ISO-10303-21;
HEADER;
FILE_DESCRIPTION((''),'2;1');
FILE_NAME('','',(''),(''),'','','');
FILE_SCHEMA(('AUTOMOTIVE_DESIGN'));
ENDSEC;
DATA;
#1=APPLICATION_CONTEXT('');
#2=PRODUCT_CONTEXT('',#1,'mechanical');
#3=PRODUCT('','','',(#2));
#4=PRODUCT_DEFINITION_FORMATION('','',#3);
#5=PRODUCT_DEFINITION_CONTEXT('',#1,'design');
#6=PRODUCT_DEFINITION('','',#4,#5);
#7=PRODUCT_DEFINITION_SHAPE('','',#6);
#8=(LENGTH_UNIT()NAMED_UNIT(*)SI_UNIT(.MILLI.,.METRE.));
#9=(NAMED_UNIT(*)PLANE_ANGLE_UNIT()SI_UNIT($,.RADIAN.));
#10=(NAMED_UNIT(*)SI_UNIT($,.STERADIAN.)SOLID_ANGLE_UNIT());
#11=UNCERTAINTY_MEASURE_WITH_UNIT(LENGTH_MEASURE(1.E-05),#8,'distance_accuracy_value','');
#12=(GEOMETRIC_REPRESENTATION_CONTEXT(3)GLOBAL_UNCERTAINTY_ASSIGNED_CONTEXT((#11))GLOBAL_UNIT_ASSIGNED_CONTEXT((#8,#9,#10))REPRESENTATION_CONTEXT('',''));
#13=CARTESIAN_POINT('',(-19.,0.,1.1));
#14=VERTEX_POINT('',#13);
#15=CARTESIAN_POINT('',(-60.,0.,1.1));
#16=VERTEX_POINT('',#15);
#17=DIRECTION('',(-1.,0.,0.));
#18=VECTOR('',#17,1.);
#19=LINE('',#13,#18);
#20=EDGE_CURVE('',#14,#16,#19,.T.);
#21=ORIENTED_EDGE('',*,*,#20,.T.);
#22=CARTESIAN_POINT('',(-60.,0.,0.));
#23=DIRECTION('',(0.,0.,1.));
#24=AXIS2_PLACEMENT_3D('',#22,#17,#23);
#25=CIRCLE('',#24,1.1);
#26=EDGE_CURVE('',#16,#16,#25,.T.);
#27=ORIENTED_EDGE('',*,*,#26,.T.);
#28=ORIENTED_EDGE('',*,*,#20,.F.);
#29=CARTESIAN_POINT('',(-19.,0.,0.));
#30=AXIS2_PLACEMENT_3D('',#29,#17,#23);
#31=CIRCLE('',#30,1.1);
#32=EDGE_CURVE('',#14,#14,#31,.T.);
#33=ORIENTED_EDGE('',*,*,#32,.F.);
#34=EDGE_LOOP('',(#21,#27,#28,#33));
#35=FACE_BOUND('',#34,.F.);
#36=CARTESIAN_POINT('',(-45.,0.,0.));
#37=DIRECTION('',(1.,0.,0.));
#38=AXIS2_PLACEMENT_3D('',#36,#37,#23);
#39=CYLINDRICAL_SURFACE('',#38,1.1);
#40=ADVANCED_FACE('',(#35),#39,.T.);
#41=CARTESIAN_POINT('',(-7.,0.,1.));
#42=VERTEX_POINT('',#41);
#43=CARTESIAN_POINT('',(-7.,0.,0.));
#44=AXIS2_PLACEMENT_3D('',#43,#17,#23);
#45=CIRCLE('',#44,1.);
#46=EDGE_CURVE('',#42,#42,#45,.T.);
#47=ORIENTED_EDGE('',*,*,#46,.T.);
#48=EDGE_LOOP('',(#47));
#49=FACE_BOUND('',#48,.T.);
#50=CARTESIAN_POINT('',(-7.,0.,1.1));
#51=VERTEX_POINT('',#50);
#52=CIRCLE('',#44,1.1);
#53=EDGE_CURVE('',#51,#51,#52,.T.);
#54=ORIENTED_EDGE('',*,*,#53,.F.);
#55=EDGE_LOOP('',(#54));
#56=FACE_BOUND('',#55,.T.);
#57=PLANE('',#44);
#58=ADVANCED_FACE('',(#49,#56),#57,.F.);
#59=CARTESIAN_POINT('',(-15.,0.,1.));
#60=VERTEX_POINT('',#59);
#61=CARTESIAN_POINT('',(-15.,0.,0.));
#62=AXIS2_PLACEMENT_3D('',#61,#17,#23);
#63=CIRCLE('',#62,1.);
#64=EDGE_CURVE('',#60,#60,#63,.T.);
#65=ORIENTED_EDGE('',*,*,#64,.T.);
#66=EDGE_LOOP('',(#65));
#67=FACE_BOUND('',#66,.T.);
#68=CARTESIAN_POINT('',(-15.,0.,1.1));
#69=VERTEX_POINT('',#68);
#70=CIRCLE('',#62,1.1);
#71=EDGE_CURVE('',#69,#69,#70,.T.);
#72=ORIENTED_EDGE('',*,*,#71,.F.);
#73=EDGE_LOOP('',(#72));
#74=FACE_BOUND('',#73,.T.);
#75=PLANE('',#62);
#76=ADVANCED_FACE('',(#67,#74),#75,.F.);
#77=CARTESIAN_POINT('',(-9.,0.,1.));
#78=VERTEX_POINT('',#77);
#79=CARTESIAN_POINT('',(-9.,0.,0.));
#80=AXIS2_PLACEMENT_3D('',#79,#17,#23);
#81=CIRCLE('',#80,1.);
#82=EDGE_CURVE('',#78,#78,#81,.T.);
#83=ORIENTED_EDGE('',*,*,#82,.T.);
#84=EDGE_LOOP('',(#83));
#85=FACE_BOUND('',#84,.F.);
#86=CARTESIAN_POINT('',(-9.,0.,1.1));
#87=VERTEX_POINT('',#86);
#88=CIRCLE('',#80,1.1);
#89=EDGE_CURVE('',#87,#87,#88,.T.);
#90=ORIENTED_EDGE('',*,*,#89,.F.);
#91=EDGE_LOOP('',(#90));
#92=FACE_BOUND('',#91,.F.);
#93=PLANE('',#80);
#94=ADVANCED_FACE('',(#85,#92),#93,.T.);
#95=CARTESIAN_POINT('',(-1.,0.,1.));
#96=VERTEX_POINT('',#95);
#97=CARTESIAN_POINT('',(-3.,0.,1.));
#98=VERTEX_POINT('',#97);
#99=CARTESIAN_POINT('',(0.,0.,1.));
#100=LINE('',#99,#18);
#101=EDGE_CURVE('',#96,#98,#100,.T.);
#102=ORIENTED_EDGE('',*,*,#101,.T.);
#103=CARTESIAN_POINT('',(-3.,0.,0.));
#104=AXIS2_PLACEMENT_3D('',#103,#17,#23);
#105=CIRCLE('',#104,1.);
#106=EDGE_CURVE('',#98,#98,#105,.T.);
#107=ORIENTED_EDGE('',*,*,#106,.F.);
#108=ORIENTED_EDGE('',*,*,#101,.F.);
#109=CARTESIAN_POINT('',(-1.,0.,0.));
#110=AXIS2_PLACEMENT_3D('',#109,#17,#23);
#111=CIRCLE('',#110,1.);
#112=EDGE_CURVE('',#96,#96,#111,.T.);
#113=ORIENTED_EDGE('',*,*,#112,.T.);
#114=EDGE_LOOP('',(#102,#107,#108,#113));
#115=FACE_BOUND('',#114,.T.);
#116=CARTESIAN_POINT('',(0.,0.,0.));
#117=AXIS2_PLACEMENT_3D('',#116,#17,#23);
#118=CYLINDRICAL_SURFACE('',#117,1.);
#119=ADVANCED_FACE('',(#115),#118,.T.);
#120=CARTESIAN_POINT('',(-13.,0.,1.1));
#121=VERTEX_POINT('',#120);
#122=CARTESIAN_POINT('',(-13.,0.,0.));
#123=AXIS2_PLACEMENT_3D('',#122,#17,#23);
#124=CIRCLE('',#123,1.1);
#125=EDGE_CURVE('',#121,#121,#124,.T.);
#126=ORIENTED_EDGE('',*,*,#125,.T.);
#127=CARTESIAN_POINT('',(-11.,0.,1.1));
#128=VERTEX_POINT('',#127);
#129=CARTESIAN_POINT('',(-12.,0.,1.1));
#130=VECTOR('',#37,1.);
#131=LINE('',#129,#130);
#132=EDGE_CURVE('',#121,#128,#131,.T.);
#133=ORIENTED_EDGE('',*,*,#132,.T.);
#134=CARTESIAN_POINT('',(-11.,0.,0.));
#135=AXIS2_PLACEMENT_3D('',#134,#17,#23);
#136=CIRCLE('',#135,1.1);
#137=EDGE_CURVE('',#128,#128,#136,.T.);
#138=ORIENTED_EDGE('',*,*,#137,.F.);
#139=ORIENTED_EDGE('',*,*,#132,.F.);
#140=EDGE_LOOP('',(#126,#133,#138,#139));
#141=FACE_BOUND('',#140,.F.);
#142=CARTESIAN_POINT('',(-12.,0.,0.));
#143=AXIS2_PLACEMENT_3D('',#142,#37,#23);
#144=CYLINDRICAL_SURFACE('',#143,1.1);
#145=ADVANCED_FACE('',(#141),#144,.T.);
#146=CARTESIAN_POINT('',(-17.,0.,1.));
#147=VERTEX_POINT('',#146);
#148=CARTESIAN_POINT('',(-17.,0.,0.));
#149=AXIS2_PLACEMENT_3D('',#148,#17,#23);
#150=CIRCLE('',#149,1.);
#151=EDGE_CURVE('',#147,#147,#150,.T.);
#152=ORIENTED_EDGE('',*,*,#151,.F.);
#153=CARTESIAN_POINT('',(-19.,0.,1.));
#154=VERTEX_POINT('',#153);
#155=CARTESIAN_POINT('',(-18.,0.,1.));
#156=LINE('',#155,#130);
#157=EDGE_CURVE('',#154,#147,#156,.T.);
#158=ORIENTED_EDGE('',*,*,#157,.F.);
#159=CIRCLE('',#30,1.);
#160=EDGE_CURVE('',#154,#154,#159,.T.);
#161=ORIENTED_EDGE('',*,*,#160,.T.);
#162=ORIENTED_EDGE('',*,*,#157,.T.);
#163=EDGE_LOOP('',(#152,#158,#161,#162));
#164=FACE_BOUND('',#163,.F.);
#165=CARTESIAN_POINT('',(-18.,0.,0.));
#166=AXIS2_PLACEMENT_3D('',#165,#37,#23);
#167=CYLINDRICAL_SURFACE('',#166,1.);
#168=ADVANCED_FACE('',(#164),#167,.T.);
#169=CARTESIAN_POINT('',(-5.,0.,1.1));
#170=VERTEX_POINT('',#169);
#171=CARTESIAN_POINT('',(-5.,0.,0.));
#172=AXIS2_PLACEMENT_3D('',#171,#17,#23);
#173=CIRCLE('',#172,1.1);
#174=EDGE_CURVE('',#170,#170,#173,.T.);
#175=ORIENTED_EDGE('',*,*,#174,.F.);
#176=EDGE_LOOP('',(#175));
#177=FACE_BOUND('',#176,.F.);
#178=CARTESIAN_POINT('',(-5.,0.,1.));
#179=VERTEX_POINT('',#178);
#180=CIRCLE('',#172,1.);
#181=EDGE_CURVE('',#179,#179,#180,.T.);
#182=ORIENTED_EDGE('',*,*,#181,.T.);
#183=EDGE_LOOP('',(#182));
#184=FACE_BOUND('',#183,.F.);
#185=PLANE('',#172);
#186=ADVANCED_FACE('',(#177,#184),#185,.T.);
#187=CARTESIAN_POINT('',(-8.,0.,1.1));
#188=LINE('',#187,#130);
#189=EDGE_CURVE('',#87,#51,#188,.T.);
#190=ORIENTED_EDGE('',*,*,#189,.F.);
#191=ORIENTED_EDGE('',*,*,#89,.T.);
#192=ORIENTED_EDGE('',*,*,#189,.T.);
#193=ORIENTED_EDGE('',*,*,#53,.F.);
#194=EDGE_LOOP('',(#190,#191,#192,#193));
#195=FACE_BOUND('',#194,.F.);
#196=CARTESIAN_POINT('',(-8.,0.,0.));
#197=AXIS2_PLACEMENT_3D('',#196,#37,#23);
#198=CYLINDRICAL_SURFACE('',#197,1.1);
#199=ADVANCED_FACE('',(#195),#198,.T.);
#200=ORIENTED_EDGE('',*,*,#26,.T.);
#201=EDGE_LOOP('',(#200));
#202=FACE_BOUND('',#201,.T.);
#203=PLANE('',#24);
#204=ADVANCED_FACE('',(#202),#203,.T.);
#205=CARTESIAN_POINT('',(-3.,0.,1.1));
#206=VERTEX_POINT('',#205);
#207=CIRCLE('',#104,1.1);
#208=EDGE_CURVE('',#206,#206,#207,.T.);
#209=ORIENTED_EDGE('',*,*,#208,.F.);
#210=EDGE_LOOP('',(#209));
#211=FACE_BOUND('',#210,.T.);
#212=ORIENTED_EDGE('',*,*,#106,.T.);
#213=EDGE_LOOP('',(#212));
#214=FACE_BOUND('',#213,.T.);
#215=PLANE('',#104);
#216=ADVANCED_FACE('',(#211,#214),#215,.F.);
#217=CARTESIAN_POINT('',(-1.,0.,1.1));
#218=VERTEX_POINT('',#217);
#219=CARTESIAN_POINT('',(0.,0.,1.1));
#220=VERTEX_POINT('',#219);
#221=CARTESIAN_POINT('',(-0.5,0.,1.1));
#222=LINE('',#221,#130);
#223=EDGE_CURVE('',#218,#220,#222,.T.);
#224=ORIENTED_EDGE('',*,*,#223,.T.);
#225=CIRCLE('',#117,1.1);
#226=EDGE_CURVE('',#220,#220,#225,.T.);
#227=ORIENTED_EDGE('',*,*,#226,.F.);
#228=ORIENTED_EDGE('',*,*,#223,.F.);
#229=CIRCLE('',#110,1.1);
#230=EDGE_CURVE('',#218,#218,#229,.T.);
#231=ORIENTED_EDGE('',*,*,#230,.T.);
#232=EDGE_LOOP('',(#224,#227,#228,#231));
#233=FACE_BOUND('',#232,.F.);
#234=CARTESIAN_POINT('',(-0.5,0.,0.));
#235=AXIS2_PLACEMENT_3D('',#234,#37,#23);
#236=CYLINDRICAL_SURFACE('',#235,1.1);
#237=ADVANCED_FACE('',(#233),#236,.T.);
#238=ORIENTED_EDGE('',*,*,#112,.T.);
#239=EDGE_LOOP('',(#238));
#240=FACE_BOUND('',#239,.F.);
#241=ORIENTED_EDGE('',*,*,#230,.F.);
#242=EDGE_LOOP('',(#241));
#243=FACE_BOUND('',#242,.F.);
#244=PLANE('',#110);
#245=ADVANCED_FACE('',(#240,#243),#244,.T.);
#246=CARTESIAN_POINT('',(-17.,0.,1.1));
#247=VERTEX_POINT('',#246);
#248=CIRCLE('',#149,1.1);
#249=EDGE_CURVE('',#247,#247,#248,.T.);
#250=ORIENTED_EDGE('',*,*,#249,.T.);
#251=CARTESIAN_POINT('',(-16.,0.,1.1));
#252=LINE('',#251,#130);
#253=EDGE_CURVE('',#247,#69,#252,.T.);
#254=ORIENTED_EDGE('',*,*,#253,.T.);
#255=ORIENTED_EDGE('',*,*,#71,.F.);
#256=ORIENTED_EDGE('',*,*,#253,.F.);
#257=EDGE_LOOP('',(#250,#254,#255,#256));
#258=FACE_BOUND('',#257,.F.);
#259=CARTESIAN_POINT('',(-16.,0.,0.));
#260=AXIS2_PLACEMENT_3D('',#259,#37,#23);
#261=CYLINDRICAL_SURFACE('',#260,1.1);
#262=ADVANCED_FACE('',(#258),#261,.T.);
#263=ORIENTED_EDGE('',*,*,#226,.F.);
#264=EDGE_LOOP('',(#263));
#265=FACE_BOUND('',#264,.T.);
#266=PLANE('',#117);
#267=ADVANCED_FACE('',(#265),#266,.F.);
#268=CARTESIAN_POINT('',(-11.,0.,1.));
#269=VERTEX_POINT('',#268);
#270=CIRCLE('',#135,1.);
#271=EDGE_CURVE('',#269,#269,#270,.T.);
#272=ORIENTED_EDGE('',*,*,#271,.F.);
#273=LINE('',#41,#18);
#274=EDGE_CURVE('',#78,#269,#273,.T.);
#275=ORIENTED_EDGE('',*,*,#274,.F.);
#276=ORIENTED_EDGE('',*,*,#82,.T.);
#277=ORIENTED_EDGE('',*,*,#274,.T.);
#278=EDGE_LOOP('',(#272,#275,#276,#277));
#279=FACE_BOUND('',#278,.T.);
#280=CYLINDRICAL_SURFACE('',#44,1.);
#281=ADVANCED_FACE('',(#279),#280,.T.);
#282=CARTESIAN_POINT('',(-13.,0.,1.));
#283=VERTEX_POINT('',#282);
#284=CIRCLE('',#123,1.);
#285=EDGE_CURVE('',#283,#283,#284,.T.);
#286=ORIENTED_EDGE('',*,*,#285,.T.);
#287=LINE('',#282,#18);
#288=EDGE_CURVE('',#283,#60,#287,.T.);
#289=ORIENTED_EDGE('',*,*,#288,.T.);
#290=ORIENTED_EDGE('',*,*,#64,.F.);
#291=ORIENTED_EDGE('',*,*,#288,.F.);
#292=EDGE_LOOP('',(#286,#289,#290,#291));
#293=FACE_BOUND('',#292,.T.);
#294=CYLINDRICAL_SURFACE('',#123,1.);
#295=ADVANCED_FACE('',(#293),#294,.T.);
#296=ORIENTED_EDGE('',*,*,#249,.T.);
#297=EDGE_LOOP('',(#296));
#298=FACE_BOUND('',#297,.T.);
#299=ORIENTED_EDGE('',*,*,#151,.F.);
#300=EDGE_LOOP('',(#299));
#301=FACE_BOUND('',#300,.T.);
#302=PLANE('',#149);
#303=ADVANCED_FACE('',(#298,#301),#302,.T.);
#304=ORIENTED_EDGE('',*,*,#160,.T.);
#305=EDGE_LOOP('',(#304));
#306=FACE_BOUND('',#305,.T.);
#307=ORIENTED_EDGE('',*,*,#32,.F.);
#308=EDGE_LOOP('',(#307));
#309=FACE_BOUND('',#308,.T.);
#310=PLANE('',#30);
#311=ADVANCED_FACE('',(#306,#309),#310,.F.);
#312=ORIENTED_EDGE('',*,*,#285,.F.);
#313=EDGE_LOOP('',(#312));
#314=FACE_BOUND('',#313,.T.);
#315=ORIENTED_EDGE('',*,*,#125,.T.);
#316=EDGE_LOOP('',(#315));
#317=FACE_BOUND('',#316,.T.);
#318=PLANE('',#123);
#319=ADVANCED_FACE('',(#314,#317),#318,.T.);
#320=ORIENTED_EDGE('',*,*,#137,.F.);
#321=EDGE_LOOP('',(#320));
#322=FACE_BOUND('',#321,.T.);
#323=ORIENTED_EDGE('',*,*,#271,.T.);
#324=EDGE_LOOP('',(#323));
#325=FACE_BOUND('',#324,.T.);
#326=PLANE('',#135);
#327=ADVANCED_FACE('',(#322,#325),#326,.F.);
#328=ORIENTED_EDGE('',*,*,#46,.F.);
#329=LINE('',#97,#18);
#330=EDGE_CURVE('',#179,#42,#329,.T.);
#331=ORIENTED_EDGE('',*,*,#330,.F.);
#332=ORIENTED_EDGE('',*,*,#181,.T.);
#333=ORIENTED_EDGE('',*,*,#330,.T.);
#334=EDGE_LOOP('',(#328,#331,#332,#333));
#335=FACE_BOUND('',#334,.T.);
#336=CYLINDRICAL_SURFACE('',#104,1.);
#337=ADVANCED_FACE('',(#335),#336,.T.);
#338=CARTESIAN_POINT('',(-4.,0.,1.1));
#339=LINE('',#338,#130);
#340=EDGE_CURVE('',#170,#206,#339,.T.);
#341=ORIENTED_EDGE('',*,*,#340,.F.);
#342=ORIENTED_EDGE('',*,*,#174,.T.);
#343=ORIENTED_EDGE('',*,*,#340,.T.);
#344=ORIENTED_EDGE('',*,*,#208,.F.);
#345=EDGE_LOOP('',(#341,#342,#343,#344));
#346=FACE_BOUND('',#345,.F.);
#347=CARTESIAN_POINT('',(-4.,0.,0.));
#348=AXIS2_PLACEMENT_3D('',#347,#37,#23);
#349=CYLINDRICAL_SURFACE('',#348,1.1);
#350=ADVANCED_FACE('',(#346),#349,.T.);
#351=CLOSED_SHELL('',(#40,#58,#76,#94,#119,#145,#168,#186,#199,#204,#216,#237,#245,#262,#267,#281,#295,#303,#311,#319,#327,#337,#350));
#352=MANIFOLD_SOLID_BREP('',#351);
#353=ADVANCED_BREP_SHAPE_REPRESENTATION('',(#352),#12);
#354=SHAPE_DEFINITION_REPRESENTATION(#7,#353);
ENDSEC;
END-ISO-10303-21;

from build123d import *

# Parameters (mm, degrees)
F0_W     = 6
F0_H     = 0.1
F0_H_2   = 1
F0_W_2   = 2
F0_W_3   = 1
F2_DEPTH = 10
F3_DEPTH = 10
F4_DEPTH = 15


with BuildPart() as f1:
    # F0 (on Front) → F1 (revolve)
    with BuildSketch(Plane.XZ):
        with Locations((-22, 1.05)):
            Rectangle(F0_W, F0_H)
        with Locations((-22, 0.5)):
            Rectangle(F0_W, F0_H_2)
        with Locations((-12, 0.5)):
            Rectangle(F0_W_2, F0_H_2)
        with Locations((-12, 1.05)):
            Rectangle(F0_W_2, F0_H)
        with Locations((-10, 0.5)):
            Rectangle(F0_W_2, F0_H_2)
        with Locations((-8, 0.5)):
            Rectangle(F0_W_2, F0_H_2)
        with Locations((-8, 1.05)):
            Rectangle(F0_W_2, F0_H)
        with Locations((-6, 0.5)):
            Rectangle(F0_W_2, F0_H_2)
        with Locations((-4, 0.5)):
            Rectangle(F0_W_2, F0_H_2)
        with Locations((-4, 1.05)):
            Rectangle(F0_W_2, F0_H)
        with Locations((-2, 0.5)):
            Rectangle(F0_W_2, F0_H_2)
        with Locations((-0.5, 0.5)):
            Rectangle(F0_W_3, F0_H_2)
        with Locations((-0.5, 1.05)):
            Rectangle(F0_W_3, F0_H)
        with Locations((-14, 0.5)):
            Rectangle(F0_W_2, F0_H_2)
        with Locations((-16, 0.5)):
            Rectangle(F0_W_2, F0_H_2)
        with Locations((-16, 1.05)):
            Rectangle(F0_W_2, F0_H)
        with Locations((-18, 0.5)):
            Rectangle(F0_W_2, F0_H_2)
    revolve(axis=Axis((-12.5, 0, 0), (-1, 0, 0)))

    # F2 (add): a face of the model
    f2_faces = [f1.faces().sort_by_distance(p)[0] for p in [
        (-25, 0, 0),
    ]]
    extrude(f2_faces, amount=F2_DEPTH)

    # F3 (add): a face of the model
    f3_faces = [f1.faces().sort_by_distance(p)[0] for p in [
        (-35, 0, 0),
    ]]
    extrude(f3_faces, amount=F3_DEPTH)

    # F4 (add): a face of the model
    f4_faces = [f1.faces().sort_by_distance(p)[0] for p in [
        (-45, 0, 0),
    ]]
    extrude(f4_faces, amount=F4_DEPTH)


solid = f1.part
